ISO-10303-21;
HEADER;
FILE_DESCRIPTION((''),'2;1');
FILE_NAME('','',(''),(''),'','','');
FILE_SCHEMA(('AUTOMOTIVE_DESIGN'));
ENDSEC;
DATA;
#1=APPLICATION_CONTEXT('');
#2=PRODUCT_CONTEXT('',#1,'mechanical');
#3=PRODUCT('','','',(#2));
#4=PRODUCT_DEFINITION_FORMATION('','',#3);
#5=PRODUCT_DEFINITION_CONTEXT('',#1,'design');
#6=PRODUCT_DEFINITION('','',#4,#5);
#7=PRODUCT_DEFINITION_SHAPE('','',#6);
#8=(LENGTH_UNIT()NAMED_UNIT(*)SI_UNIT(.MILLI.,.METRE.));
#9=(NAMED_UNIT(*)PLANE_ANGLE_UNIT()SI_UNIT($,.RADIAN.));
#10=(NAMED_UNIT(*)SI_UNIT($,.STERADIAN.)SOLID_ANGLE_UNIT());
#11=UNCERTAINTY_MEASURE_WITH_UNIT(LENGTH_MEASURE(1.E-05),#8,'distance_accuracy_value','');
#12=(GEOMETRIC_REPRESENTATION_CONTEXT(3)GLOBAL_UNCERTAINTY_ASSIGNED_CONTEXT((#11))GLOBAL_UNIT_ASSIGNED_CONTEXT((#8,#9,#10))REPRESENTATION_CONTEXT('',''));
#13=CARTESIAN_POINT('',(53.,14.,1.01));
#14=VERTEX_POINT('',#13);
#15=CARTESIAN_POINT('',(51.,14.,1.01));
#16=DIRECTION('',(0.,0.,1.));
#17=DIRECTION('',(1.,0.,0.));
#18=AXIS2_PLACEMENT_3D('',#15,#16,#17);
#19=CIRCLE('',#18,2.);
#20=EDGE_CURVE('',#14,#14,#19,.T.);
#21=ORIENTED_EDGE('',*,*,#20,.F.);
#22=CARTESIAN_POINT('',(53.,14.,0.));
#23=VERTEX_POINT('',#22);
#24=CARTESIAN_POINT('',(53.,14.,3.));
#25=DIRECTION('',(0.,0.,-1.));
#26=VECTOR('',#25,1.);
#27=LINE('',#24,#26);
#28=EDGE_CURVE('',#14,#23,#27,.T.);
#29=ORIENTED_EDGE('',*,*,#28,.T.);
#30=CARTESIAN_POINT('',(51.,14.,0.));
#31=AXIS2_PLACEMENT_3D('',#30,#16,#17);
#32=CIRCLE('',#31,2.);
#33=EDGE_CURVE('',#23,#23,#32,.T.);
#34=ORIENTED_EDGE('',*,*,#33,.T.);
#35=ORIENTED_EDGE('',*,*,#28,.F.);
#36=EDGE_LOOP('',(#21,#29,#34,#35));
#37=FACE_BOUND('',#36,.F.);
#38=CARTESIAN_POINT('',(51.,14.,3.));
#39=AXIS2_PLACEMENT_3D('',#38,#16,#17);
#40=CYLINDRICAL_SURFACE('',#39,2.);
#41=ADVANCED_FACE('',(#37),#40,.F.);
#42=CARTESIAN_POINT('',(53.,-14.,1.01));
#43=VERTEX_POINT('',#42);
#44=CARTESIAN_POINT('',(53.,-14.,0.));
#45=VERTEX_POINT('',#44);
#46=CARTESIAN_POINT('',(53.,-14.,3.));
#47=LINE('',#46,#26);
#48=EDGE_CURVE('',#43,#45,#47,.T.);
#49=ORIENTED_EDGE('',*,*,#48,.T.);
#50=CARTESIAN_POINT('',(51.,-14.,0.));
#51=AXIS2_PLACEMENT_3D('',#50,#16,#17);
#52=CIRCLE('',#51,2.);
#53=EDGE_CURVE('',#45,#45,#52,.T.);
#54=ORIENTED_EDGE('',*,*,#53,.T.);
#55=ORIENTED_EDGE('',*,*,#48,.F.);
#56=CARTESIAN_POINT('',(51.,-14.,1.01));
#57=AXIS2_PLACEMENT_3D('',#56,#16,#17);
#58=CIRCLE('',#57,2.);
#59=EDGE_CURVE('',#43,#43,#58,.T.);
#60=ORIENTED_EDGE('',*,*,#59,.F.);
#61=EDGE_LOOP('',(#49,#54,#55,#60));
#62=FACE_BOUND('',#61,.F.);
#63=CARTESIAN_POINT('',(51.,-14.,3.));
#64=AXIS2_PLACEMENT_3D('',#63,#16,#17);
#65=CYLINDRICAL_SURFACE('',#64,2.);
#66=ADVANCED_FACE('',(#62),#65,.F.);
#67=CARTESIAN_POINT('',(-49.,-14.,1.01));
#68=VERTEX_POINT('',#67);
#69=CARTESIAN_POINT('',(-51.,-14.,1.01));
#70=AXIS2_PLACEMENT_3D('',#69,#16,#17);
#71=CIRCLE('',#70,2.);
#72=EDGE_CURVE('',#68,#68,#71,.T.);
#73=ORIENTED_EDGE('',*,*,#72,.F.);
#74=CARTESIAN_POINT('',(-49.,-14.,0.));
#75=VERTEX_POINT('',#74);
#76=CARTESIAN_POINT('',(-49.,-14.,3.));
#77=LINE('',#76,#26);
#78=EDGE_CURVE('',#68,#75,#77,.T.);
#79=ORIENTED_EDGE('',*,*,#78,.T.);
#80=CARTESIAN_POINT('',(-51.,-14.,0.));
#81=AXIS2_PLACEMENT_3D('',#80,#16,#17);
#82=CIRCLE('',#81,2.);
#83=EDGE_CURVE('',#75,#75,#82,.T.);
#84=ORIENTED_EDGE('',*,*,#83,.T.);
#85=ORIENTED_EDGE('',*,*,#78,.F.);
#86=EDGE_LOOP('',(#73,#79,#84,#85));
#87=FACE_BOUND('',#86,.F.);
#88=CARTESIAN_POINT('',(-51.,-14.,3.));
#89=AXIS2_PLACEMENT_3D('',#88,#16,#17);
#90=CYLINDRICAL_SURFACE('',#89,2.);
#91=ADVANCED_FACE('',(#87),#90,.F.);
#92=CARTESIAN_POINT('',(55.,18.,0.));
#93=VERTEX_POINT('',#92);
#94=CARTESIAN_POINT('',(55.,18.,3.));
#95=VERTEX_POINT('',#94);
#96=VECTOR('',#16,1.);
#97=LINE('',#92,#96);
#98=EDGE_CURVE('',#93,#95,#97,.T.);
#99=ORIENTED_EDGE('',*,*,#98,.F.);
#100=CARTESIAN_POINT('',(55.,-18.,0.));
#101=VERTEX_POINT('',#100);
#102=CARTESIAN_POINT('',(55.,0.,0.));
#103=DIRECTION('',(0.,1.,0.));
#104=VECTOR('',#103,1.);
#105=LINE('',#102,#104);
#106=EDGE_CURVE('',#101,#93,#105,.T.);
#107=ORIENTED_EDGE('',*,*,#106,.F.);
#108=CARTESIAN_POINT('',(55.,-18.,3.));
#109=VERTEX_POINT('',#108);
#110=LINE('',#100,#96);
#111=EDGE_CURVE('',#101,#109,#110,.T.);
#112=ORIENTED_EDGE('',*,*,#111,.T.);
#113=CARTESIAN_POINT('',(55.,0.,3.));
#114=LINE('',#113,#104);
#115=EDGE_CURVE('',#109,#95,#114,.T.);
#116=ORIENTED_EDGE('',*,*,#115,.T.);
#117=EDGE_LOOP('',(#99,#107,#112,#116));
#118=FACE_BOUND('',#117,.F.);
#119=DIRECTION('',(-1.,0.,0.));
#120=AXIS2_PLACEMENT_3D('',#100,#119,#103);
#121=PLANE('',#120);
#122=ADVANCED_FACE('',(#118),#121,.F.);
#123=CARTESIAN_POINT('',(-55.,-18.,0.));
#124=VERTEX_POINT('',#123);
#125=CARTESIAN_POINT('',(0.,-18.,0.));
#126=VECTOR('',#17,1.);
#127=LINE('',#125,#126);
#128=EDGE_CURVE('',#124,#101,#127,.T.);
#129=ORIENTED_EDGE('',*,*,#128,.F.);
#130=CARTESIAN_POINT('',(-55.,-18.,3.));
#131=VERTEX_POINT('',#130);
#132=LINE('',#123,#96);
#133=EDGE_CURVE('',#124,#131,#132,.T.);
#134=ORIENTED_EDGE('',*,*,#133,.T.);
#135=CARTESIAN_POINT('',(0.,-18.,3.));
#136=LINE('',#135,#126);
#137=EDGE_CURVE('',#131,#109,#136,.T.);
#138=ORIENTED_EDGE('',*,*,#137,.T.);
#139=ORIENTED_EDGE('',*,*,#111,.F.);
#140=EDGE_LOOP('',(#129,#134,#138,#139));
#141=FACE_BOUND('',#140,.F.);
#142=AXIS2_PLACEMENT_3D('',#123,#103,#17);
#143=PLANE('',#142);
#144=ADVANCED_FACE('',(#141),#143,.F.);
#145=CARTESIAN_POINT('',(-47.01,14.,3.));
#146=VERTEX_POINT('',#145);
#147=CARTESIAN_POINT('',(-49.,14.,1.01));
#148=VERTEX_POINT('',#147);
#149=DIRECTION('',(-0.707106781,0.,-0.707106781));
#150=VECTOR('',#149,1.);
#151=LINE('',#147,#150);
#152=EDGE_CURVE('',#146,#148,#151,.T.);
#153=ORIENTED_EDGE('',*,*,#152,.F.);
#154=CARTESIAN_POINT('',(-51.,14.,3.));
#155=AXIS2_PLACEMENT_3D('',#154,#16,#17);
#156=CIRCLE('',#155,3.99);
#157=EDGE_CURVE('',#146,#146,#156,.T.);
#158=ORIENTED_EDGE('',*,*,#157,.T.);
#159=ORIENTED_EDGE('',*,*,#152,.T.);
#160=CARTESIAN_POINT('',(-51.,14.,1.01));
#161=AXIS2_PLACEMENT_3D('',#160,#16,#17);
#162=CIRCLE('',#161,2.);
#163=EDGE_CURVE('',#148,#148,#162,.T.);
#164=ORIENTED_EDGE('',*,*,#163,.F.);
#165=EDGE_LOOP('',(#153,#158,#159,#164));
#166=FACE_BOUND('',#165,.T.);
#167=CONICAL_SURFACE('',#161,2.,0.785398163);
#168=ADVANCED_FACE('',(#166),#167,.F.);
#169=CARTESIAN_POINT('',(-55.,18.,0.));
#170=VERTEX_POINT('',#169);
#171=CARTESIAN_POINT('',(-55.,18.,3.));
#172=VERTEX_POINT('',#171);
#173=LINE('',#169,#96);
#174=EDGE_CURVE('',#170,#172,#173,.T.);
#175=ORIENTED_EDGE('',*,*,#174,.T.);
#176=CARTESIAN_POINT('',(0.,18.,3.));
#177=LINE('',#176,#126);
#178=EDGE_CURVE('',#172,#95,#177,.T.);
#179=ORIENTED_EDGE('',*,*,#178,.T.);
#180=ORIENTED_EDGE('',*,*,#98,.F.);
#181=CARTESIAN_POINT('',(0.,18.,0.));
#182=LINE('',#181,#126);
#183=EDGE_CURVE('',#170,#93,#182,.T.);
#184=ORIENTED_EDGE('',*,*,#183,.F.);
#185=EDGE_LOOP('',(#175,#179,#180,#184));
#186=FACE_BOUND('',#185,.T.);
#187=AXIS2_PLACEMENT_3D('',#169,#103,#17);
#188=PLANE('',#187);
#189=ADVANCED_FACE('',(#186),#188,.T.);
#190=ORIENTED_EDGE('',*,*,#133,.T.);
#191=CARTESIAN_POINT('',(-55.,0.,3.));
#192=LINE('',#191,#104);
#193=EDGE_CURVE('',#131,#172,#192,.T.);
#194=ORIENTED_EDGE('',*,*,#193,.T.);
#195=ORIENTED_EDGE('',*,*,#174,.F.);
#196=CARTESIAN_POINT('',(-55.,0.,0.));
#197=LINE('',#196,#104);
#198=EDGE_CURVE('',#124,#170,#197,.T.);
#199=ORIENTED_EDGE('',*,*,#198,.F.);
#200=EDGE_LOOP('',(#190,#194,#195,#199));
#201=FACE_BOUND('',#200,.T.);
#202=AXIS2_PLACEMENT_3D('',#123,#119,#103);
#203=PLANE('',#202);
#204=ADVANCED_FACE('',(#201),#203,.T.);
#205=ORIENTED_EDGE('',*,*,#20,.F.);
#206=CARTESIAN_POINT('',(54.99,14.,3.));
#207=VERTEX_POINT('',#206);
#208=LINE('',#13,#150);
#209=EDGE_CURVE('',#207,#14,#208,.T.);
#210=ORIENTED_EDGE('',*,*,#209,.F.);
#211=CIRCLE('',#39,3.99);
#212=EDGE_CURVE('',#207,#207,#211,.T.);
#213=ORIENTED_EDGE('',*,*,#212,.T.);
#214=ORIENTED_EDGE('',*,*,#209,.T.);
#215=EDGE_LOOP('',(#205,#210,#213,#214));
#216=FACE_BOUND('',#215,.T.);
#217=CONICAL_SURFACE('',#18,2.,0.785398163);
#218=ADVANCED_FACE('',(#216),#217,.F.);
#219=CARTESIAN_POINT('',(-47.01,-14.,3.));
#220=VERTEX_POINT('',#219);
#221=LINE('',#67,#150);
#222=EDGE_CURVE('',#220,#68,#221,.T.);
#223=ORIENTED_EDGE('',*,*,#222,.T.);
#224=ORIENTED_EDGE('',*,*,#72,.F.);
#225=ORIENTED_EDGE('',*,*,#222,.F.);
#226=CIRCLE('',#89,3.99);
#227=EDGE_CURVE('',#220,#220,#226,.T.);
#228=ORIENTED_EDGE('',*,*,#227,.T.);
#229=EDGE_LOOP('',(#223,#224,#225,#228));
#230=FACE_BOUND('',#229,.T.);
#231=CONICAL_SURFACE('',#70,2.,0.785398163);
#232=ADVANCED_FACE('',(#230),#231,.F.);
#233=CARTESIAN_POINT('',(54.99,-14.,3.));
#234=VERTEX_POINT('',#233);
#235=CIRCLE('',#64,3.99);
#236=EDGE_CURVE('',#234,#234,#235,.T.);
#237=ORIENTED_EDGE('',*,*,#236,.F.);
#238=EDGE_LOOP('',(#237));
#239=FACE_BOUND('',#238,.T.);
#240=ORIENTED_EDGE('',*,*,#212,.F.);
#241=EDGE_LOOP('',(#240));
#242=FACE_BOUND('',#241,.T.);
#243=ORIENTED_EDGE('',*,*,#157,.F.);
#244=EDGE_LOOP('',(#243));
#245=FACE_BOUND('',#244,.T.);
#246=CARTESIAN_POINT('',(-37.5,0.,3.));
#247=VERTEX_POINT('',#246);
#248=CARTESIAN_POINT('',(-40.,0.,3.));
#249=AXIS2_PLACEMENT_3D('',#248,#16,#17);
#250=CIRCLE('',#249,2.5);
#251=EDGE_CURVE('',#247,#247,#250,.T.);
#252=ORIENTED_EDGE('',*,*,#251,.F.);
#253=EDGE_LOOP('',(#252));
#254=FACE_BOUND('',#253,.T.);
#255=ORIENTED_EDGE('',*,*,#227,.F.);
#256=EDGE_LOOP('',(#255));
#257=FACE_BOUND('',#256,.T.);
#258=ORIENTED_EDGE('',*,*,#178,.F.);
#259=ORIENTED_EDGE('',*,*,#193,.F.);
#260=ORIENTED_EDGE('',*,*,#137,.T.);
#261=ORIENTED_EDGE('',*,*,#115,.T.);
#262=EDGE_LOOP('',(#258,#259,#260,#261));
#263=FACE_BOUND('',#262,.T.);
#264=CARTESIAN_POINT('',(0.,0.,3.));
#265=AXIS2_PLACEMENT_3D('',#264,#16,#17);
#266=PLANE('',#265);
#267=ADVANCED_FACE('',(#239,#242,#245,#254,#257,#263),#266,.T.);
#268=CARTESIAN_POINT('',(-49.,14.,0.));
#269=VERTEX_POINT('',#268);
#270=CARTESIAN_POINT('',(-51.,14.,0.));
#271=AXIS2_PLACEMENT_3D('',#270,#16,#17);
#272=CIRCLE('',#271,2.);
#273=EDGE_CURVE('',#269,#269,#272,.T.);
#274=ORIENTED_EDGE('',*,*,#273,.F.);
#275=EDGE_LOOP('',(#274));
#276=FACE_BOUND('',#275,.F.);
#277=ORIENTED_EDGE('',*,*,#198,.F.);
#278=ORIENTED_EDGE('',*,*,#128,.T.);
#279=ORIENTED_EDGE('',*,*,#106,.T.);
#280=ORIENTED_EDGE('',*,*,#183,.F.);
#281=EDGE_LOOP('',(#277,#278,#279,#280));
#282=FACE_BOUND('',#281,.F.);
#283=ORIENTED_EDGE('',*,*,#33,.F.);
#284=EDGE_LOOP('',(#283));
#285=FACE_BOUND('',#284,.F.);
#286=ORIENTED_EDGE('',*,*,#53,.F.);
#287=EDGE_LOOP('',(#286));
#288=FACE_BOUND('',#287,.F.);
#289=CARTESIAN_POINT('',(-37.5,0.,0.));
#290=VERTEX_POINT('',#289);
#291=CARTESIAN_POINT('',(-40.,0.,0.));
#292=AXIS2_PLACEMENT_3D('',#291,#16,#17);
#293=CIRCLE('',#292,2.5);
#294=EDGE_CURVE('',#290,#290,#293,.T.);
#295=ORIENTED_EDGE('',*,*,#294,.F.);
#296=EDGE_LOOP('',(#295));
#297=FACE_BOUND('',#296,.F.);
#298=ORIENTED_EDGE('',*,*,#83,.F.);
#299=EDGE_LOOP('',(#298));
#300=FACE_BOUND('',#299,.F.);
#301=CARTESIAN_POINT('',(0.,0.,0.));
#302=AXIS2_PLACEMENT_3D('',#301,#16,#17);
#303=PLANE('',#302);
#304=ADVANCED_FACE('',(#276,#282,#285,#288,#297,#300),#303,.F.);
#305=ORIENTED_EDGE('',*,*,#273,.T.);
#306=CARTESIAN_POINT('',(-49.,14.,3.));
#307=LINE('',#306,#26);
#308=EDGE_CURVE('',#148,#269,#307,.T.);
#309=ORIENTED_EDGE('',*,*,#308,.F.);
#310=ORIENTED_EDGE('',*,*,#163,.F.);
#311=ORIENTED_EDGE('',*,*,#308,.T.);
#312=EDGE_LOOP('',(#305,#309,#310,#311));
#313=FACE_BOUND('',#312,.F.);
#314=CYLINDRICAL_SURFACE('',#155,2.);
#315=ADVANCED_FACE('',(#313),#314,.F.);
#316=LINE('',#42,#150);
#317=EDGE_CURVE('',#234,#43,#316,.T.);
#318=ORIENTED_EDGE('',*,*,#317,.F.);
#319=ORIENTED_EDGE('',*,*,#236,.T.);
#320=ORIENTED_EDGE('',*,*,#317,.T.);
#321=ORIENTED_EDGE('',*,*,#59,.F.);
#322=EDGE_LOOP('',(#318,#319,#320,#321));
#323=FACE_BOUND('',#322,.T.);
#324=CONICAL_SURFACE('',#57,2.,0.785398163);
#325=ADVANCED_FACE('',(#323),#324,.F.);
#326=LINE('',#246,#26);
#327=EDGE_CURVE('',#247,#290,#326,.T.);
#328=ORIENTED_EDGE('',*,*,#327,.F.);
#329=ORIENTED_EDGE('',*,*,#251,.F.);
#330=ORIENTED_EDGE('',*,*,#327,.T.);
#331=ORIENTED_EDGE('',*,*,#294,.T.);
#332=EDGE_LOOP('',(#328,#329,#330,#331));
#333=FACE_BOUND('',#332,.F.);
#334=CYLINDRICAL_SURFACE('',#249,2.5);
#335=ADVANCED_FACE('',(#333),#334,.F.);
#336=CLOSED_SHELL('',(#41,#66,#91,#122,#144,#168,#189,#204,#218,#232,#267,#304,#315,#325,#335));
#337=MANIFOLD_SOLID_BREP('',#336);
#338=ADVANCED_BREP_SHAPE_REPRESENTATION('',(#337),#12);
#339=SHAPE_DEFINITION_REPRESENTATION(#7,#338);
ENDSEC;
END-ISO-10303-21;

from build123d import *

# Parameters (mm, degrees)
SKETCH_W        = 110
SKETCH_H        = 36
PAD_DEPTH       = 3
SKETCH002_R     = 2
POCKET_DEPTH    = 3
CHAMFER_SIZE    = 1.99
SKETCH003_R     = 2.5
POCKET001_DEPTH = 3


with BuildPart() as part:
    # Sketch → Pad (new body)
    with BuildSketch(Plane.XY):
        Rectangle(SKETCH_W, SKETCH_H)
    extrude(amount=PAD_DEPTH)

    # Sketch002 (on Face6 of Pad) → Pocket (cut)
    with BuildSketch(Plane.XY.offset(3)):
        with Locations((-51, 14)):
            Circle(SKETCH002_R)
        with Locations((-51, -14)):
            Circle(SKETCH002_R)
        with Locations((51, -14)):
            Circle(SKETCH002_R)
        with Locations((51, 14)):
            Circle(SKETCH002_R)
    extrude(amount=-POCKET_DEPTH, mode=Mode.SUBTRACT)

    # Chamfer
    chamfer_edges = [part.edges().sort_by_distance(p)[0] for p in [
        (-53, 14, 3),
        (-53, -14, 3),
        (49, -14, 3),
        (49, 14, 3),
    ]]
    chamfer(chamfer_edges, length=CHAMFER_SIZE)

    # Sketch003 (on Face1 of Chamfer) → Pocket001 (cut)
    with BuildSketch(Plane.XY.offset(3)):
        with Locations((-40, 0)):
            Circle(SKETCH003_R)
    extrude(amount=-POCKET001_DEPTH, mode=Mode.SUBTRACT)


solid = part.part
